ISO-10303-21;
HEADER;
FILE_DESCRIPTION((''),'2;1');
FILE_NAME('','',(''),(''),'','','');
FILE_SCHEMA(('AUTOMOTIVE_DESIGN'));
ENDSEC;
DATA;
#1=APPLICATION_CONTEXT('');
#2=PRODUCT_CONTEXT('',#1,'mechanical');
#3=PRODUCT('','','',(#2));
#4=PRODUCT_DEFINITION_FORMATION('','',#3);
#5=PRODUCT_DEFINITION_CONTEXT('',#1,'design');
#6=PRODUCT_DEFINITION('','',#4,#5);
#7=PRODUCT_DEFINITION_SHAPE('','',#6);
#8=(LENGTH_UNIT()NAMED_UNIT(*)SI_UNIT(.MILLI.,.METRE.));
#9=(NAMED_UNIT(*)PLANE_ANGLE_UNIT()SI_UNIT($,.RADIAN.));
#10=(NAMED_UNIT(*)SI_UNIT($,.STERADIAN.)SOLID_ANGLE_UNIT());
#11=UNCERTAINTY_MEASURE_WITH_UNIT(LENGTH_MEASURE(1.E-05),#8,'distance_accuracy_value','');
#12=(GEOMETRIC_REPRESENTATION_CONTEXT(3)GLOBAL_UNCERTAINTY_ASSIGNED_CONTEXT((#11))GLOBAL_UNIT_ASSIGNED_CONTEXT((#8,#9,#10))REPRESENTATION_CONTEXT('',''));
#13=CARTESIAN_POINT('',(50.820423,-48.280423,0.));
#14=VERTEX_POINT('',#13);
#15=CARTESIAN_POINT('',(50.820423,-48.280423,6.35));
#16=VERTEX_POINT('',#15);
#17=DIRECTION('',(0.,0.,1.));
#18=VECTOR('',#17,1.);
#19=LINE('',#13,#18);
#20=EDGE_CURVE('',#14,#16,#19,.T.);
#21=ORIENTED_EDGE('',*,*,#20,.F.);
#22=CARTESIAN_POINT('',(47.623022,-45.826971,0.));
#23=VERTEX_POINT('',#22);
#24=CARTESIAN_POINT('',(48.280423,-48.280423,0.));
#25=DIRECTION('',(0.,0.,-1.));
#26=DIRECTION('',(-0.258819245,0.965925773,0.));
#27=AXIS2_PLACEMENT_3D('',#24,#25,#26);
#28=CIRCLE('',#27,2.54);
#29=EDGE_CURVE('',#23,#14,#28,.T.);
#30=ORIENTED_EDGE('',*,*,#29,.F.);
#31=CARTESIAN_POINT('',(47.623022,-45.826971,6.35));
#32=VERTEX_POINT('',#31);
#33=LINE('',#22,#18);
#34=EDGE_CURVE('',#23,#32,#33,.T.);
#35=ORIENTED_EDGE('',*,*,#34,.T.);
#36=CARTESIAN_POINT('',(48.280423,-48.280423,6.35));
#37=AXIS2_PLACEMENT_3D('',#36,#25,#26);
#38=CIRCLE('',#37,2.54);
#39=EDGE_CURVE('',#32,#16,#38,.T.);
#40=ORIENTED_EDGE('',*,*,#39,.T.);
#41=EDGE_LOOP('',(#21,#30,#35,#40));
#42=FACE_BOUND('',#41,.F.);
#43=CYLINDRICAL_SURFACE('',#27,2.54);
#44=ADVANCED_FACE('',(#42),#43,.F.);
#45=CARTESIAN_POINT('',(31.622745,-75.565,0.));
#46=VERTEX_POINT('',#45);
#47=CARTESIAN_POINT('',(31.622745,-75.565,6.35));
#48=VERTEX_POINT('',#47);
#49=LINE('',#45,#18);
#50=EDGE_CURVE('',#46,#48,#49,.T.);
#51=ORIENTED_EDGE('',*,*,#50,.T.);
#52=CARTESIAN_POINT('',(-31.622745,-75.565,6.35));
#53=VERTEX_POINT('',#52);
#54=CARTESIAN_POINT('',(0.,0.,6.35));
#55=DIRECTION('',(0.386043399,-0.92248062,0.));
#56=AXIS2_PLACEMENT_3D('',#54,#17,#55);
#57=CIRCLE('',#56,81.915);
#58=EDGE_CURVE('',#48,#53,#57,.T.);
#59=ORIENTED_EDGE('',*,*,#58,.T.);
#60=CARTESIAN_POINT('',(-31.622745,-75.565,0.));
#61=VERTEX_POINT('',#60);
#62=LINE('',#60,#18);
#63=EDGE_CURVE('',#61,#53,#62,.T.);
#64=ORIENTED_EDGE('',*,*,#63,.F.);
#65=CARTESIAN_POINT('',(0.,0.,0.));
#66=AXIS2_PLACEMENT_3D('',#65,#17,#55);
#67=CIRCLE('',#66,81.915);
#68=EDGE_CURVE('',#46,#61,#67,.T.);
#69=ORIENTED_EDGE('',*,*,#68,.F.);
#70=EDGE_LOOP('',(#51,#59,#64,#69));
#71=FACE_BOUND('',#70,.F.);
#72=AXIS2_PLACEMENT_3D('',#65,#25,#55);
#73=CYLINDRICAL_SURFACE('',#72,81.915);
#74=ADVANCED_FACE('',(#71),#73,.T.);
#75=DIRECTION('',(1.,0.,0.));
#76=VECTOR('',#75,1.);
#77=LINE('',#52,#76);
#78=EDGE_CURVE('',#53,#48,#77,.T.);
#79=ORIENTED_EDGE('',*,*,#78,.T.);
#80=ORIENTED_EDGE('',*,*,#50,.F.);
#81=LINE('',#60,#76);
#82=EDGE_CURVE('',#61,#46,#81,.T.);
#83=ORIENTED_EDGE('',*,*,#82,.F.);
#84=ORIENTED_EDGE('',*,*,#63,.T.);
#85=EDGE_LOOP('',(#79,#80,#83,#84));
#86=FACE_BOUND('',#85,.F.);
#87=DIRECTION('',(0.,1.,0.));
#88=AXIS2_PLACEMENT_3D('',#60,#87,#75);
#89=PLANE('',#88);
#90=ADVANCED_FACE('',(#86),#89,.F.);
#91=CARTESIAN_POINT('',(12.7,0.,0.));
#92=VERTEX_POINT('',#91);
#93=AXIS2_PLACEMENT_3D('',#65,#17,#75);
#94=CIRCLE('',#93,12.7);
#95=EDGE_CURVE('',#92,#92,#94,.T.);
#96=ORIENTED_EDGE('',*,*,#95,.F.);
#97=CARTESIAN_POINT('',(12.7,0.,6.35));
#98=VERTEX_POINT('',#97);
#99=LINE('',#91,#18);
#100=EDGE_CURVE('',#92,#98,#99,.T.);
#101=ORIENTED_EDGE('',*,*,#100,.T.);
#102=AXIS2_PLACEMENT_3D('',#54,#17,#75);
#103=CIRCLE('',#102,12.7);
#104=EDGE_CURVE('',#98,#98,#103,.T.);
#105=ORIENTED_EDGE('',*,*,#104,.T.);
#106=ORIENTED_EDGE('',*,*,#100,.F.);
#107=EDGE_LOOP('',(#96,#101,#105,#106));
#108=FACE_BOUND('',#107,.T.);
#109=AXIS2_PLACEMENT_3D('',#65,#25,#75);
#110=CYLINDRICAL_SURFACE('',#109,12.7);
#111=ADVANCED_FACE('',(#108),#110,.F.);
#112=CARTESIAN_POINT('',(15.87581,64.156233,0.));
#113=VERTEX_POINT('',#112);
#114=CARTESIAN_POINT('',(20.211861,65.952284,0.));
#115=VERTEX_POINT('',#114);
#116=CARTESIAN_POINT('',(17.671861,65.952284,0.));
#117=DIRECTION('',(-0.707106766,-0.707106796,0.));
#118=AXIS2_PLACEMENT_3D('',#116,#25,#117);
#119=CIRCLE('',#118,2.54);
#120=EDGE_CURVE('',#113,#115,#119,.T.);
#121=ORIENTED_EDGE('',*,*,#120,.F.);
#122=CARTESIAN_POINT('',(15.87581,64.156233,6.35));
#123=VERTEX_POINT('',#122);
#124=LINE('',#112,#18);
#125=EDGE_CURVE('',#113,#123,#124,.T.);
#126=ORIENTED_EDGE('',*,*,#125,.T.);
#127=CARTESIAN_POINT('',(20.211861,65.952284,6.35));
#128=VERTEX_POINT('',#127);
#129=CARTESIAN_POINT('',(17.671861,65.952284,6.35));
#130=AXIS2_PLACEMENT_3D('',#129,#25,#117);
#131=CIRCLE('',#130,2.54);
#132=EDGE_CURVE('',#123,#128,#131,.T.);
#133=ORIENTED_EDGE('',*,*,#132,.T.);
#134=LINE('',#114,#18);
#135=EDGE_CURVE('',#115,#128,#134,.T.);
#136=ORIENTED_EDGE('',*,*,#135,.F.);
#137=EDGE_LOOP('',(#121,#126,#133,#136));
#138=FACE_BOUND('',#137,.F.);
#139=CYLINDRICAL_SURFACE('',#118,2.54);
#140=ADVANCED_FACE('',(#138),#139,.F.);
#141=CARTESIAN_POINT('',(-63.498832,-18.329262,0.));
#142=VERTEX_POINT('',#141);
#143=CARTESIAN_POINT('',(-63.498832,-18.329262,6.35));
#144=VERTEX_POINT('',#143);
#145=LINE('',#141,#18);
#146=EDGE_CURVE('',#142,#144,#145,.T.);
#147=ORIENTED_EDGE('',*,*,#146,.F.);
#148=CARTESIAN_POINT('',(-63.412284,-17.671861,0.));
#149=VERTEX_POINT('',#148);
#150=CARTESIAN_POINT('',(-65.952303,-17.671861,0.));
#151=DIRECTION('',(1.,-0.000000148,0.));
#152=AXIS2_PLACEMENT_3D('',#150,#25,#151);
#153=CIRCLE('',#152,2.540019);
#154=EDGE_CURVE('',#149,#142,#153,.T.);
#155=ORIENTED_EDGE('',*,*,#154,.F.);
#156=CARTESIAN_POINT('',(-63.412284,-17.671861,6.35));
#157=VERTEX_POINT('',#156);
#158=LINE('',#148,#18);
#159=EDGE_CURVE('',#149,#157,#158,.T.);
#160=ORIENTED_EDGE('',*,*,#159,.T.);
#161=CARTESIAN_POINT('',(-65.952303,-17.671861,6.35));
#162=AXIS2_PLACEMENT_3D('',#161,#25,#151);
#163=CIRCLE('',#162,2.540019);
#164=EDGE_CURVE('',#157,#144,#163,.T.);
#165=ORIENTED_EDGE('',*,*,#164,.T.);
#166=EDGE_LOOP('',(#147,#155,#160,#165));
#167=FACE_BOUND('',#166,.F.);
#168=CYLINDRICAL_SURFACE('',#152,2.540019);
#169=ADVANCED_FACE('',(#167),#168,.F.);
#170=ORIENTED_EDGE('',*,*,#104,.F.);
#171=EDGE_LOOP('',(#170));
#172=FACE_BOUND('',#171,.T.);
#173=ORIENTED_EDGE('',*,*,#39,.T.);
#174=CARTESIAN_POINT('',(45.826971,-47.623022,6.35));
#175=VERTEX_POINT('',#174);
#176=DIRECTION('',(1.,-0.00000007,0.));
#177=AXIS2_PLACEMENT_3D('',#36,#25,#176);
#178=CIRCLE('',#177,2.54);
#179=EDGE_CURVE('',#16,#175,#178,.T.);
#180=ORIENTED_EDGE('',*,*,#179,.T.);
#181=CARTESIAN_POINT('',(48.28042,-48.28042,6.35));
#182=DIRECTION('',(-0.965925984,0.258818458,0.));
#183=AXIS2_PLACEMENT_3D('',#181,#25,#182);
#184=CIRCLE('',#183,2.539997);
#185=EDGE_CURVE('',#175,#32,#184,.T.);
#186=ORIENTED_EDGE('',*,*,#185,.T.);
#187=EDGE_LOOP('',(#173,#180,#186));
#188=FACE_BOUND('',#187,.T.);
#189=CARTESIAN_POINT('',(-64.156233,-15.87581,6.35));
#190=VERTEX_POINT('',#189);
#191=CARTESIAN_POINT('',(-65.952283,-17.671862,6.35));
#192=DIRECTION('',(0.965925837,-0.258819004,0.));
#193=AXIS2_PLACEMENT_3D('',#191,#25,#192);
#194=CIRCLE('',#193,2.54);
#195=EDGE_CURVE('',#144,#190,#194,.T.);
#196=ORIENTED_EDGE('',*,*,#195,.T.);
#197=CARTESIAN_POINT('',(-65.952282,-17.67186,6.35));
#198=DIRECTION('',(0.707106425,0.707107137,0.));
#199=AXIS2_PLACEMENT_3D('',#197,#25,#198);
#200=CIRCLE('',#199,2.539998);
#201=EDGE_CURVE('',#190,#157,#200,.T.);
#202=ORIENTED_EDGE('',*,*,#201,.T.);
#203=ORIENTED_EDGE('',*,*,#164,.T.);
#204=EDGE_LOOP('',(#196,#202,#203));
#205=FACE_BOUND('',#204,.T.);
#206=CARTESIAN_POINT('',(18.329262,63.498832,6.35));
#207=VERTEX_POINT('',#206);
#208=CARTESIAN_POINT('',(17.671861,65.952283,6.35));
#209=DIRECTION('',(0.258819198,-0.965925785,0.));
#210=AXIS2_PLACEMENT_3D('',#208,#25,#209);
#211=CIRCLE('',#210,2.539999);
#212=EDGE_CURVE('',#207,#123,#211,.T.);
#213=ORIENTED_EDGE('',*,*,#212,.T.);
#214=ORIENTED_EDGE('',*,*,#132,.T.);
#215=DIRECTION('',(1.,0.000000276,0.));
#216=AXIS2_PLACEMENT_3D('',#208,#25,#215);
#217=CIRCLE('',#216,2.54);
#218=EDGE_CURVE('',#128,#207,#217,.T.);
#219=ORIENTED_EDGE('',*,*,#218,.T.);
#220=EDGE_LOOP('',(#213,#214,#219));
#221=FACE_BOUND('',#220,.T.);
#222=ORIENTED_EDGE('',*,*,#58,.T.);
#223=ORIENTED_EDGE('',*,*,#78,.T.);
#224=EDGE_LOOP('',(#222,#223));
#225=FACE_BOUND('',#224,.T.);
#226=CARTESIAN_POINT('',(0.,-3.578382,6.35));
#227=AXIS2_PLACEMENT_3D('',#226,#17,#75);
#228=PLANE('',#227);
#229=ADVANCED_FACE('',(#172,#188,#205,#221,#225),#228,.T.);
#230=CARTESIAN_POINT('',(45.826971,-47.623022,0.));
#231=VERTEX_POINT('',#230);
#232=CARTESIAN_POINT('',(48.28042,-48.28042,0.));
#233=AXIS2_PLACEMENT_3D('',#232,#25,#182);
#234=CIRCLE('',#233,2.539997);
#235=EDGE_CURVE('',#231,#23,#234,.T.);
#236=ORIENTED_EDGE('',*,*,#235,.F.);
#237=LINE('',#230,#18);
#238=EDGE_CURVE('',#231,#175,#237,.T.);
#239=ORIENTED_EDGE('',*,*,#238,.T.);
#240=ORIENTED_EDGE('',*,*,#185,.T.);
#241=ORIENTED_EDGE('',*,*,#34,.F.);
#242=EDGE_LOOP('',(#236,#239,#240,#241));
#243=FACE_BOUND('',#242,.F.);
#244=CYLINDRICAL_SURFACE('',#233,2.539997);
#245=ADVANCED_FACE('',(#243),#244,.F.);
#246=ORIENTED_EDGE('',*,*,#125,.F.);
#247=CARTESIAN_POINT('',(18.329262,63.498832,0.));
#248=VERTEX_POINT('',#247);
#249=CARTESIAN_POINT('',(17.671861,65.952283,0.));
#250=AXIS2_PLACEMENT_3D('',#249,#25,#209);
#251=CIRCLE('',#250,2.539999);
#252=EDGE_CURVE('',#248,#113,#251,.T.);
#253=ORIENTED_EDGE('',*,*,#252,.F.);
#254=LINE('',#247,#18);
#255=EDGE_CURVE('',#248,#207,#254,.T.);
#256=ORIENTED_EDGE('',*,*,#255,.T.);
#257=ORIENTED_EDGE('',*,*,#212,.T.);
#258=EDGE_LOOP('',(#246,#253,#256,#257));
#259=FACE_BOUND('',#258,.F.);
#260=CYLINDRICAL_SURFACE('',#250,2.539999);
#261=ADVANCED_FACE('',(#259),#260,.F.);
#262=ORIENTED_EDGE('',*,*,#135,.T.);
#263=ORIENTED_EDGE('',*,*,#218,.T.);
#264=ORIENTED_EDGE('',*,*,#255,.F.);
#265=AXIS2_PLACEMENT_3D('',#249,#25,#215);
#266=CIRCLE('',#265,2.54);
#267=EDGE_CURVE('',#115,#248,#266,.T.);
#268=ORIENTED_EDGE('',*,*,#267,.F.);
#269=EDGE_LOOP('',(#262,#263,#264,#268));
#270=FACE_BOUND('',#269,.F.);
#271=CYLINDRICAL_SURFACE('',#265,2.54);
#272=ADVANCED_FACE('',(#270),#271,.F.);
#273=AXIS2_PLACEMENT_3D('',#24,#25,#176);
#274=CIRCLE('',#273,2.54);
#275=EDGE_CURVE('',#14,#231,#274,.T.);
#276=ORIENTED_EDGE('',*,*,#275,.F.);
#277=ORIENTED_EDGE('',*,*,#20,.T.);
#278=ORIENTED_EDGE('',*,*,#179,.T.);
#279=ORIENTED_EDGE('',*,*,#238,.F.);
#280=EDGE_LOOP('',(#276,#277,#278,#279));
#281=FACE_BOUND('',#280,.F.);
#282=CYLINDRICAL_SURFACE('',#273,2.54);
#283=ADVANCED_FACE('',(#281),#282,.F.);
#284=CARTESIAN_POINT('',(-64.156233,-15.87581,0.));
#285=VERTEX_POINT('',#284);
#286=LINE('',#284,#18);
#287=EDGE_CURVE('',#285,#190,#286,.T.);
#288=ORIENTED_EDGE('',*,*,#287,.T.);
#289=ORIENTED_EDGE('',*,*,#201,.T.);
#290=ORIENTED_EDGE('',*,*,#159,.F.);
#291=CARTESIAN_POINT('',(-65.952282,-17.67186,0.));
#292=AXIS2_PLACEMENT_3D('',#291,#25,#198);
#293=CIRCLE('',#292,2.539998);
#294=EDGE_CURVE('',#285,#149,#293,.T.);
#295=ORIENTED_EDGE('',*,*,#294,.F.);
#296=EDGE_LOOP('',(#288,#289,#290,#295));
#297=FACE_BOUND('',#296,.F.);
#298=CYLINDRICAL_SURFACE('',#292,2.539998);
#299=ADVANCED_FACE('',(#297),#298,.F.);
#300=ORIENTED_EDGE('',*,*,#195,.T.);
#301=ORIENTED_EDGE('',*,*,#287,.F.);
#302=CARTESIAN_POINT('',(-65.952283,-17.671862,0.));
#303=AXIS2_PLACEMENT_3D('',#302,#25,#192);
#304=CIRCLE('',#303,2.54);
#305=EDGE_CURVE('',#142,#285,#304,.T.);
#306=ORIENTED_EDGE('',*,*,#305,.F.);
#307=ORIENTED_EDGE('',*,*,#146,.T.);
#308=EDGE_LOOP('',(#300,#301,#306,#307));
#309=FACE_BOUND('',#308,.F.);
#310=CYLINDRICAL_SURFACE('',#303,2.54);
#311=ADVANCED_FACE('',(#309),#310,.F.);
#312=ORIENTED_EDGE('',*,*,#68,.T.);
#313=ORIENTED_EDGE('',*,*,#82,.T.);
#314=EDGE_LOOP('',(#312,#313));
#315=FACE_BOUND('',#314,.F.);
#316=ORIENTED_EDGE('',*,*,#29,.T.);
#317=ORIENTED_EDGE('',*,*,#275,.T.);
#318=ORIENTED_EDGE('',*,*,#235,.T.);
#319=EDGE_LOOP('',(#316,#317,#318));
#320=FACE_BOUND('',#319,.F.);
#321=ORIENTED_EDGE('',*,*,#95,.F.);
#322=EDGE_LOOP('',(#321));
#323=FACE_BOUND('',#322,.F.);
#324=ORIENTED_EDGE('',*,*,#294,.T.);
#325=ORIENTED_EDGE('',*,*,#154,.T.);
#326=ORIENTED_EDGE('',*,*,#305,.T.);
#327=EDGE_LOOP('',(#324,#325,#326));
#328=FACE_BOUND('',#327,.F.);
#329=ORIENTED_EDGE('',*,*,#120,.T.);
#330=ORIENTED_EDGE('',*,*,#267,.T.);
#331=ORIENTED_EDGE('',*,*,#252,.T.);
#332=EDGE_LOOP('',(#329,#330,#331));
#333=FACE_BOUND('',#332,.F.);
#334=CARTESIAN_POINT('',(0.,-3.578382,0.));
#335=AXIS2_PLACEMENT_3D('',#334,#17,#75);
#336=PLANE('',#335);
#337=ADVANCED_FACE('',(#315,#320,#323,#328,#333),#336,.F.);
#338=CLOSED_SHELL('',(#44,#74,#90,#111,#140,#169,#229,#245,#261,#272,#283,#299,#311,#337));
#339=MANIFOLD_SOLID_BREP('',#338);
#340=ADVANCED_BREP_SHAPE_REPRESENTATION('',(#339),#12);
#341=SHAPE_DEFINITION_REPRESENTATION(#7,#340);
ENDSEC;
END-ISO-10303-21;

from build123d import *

# Parameters (mm, degrees)
F0_R     = 12.7
F1_DEPTH = 6.35


with BuildPart() as f1:
    # F0 (on Top) → F1 (new body)
    with BuildSketch(Plane.XY):
        with BuildLine():
            ThreePointArc((31.622745, -75.565), (0, 81.915), (-31.622745, -75.565))
            Line((-31.622745, -75.565), (31.622745, -75.565))
        make_face()
        with BuildLine():
            ThreePointArc((50.820423, -48.280423), (47.948886, -50.798693), (45.826971, -47.623022))
            Line((45.826971, -47.623022), (-63.498832, -18.329262))
            ThreePointArc((-63.498832, -18.329262), (-68.405735, -18.329262), (-64.156233, -15.87581))
            Line((-64.156233, -15.87581), (15.87581, 64.156233))
            ThreePointArc((15.87581, 64.156233), (16.699845, 68.298938), (20.211861, 65.952284))
            ThreePointArc((20.211861, 65.952284), (19.686979, 64.40603), (18.329262, 63.498832))
            Line((18.329262, 63.498832), (47.623022, -45.826971))
            ThreePointArc((47.623022, -45.826971), (49.826677, -46.265305), (50.820423, -48.280423))
        make_face(mode=Mode.SUBTRACT)
        with BuildLine():
            Line((-63.498832, -18.329262), (45.826971, -47.623022))
            ThreePointArc((45.826971, -47.623022), (46.484371, -46.484371), (47.623022, -45.826971))
            Line((47.623022, -45.826971), (18.329262, 63.498832))
            ThreePointArc((18.329262, 63.498832), (17.014461, 63.498832), (15.87581, 64.156233))
            Line((15.87581, 64.156233), (-64.156233, -15.87581))
            ThreePointArc((-64.156233, -15.87581), (-63.60563, -16.699845), (-63.412284, -17.671861))
            ThreePointArc((-63.412284, -17.671861), (-63.434014, -18.003398), (-63.498832, -18.329262))
        make_face()
        Circle(F0_R, mode=Mode.SUBTRACT)
    extrude(amount=F1_DEPTH)


solid = f1.part
